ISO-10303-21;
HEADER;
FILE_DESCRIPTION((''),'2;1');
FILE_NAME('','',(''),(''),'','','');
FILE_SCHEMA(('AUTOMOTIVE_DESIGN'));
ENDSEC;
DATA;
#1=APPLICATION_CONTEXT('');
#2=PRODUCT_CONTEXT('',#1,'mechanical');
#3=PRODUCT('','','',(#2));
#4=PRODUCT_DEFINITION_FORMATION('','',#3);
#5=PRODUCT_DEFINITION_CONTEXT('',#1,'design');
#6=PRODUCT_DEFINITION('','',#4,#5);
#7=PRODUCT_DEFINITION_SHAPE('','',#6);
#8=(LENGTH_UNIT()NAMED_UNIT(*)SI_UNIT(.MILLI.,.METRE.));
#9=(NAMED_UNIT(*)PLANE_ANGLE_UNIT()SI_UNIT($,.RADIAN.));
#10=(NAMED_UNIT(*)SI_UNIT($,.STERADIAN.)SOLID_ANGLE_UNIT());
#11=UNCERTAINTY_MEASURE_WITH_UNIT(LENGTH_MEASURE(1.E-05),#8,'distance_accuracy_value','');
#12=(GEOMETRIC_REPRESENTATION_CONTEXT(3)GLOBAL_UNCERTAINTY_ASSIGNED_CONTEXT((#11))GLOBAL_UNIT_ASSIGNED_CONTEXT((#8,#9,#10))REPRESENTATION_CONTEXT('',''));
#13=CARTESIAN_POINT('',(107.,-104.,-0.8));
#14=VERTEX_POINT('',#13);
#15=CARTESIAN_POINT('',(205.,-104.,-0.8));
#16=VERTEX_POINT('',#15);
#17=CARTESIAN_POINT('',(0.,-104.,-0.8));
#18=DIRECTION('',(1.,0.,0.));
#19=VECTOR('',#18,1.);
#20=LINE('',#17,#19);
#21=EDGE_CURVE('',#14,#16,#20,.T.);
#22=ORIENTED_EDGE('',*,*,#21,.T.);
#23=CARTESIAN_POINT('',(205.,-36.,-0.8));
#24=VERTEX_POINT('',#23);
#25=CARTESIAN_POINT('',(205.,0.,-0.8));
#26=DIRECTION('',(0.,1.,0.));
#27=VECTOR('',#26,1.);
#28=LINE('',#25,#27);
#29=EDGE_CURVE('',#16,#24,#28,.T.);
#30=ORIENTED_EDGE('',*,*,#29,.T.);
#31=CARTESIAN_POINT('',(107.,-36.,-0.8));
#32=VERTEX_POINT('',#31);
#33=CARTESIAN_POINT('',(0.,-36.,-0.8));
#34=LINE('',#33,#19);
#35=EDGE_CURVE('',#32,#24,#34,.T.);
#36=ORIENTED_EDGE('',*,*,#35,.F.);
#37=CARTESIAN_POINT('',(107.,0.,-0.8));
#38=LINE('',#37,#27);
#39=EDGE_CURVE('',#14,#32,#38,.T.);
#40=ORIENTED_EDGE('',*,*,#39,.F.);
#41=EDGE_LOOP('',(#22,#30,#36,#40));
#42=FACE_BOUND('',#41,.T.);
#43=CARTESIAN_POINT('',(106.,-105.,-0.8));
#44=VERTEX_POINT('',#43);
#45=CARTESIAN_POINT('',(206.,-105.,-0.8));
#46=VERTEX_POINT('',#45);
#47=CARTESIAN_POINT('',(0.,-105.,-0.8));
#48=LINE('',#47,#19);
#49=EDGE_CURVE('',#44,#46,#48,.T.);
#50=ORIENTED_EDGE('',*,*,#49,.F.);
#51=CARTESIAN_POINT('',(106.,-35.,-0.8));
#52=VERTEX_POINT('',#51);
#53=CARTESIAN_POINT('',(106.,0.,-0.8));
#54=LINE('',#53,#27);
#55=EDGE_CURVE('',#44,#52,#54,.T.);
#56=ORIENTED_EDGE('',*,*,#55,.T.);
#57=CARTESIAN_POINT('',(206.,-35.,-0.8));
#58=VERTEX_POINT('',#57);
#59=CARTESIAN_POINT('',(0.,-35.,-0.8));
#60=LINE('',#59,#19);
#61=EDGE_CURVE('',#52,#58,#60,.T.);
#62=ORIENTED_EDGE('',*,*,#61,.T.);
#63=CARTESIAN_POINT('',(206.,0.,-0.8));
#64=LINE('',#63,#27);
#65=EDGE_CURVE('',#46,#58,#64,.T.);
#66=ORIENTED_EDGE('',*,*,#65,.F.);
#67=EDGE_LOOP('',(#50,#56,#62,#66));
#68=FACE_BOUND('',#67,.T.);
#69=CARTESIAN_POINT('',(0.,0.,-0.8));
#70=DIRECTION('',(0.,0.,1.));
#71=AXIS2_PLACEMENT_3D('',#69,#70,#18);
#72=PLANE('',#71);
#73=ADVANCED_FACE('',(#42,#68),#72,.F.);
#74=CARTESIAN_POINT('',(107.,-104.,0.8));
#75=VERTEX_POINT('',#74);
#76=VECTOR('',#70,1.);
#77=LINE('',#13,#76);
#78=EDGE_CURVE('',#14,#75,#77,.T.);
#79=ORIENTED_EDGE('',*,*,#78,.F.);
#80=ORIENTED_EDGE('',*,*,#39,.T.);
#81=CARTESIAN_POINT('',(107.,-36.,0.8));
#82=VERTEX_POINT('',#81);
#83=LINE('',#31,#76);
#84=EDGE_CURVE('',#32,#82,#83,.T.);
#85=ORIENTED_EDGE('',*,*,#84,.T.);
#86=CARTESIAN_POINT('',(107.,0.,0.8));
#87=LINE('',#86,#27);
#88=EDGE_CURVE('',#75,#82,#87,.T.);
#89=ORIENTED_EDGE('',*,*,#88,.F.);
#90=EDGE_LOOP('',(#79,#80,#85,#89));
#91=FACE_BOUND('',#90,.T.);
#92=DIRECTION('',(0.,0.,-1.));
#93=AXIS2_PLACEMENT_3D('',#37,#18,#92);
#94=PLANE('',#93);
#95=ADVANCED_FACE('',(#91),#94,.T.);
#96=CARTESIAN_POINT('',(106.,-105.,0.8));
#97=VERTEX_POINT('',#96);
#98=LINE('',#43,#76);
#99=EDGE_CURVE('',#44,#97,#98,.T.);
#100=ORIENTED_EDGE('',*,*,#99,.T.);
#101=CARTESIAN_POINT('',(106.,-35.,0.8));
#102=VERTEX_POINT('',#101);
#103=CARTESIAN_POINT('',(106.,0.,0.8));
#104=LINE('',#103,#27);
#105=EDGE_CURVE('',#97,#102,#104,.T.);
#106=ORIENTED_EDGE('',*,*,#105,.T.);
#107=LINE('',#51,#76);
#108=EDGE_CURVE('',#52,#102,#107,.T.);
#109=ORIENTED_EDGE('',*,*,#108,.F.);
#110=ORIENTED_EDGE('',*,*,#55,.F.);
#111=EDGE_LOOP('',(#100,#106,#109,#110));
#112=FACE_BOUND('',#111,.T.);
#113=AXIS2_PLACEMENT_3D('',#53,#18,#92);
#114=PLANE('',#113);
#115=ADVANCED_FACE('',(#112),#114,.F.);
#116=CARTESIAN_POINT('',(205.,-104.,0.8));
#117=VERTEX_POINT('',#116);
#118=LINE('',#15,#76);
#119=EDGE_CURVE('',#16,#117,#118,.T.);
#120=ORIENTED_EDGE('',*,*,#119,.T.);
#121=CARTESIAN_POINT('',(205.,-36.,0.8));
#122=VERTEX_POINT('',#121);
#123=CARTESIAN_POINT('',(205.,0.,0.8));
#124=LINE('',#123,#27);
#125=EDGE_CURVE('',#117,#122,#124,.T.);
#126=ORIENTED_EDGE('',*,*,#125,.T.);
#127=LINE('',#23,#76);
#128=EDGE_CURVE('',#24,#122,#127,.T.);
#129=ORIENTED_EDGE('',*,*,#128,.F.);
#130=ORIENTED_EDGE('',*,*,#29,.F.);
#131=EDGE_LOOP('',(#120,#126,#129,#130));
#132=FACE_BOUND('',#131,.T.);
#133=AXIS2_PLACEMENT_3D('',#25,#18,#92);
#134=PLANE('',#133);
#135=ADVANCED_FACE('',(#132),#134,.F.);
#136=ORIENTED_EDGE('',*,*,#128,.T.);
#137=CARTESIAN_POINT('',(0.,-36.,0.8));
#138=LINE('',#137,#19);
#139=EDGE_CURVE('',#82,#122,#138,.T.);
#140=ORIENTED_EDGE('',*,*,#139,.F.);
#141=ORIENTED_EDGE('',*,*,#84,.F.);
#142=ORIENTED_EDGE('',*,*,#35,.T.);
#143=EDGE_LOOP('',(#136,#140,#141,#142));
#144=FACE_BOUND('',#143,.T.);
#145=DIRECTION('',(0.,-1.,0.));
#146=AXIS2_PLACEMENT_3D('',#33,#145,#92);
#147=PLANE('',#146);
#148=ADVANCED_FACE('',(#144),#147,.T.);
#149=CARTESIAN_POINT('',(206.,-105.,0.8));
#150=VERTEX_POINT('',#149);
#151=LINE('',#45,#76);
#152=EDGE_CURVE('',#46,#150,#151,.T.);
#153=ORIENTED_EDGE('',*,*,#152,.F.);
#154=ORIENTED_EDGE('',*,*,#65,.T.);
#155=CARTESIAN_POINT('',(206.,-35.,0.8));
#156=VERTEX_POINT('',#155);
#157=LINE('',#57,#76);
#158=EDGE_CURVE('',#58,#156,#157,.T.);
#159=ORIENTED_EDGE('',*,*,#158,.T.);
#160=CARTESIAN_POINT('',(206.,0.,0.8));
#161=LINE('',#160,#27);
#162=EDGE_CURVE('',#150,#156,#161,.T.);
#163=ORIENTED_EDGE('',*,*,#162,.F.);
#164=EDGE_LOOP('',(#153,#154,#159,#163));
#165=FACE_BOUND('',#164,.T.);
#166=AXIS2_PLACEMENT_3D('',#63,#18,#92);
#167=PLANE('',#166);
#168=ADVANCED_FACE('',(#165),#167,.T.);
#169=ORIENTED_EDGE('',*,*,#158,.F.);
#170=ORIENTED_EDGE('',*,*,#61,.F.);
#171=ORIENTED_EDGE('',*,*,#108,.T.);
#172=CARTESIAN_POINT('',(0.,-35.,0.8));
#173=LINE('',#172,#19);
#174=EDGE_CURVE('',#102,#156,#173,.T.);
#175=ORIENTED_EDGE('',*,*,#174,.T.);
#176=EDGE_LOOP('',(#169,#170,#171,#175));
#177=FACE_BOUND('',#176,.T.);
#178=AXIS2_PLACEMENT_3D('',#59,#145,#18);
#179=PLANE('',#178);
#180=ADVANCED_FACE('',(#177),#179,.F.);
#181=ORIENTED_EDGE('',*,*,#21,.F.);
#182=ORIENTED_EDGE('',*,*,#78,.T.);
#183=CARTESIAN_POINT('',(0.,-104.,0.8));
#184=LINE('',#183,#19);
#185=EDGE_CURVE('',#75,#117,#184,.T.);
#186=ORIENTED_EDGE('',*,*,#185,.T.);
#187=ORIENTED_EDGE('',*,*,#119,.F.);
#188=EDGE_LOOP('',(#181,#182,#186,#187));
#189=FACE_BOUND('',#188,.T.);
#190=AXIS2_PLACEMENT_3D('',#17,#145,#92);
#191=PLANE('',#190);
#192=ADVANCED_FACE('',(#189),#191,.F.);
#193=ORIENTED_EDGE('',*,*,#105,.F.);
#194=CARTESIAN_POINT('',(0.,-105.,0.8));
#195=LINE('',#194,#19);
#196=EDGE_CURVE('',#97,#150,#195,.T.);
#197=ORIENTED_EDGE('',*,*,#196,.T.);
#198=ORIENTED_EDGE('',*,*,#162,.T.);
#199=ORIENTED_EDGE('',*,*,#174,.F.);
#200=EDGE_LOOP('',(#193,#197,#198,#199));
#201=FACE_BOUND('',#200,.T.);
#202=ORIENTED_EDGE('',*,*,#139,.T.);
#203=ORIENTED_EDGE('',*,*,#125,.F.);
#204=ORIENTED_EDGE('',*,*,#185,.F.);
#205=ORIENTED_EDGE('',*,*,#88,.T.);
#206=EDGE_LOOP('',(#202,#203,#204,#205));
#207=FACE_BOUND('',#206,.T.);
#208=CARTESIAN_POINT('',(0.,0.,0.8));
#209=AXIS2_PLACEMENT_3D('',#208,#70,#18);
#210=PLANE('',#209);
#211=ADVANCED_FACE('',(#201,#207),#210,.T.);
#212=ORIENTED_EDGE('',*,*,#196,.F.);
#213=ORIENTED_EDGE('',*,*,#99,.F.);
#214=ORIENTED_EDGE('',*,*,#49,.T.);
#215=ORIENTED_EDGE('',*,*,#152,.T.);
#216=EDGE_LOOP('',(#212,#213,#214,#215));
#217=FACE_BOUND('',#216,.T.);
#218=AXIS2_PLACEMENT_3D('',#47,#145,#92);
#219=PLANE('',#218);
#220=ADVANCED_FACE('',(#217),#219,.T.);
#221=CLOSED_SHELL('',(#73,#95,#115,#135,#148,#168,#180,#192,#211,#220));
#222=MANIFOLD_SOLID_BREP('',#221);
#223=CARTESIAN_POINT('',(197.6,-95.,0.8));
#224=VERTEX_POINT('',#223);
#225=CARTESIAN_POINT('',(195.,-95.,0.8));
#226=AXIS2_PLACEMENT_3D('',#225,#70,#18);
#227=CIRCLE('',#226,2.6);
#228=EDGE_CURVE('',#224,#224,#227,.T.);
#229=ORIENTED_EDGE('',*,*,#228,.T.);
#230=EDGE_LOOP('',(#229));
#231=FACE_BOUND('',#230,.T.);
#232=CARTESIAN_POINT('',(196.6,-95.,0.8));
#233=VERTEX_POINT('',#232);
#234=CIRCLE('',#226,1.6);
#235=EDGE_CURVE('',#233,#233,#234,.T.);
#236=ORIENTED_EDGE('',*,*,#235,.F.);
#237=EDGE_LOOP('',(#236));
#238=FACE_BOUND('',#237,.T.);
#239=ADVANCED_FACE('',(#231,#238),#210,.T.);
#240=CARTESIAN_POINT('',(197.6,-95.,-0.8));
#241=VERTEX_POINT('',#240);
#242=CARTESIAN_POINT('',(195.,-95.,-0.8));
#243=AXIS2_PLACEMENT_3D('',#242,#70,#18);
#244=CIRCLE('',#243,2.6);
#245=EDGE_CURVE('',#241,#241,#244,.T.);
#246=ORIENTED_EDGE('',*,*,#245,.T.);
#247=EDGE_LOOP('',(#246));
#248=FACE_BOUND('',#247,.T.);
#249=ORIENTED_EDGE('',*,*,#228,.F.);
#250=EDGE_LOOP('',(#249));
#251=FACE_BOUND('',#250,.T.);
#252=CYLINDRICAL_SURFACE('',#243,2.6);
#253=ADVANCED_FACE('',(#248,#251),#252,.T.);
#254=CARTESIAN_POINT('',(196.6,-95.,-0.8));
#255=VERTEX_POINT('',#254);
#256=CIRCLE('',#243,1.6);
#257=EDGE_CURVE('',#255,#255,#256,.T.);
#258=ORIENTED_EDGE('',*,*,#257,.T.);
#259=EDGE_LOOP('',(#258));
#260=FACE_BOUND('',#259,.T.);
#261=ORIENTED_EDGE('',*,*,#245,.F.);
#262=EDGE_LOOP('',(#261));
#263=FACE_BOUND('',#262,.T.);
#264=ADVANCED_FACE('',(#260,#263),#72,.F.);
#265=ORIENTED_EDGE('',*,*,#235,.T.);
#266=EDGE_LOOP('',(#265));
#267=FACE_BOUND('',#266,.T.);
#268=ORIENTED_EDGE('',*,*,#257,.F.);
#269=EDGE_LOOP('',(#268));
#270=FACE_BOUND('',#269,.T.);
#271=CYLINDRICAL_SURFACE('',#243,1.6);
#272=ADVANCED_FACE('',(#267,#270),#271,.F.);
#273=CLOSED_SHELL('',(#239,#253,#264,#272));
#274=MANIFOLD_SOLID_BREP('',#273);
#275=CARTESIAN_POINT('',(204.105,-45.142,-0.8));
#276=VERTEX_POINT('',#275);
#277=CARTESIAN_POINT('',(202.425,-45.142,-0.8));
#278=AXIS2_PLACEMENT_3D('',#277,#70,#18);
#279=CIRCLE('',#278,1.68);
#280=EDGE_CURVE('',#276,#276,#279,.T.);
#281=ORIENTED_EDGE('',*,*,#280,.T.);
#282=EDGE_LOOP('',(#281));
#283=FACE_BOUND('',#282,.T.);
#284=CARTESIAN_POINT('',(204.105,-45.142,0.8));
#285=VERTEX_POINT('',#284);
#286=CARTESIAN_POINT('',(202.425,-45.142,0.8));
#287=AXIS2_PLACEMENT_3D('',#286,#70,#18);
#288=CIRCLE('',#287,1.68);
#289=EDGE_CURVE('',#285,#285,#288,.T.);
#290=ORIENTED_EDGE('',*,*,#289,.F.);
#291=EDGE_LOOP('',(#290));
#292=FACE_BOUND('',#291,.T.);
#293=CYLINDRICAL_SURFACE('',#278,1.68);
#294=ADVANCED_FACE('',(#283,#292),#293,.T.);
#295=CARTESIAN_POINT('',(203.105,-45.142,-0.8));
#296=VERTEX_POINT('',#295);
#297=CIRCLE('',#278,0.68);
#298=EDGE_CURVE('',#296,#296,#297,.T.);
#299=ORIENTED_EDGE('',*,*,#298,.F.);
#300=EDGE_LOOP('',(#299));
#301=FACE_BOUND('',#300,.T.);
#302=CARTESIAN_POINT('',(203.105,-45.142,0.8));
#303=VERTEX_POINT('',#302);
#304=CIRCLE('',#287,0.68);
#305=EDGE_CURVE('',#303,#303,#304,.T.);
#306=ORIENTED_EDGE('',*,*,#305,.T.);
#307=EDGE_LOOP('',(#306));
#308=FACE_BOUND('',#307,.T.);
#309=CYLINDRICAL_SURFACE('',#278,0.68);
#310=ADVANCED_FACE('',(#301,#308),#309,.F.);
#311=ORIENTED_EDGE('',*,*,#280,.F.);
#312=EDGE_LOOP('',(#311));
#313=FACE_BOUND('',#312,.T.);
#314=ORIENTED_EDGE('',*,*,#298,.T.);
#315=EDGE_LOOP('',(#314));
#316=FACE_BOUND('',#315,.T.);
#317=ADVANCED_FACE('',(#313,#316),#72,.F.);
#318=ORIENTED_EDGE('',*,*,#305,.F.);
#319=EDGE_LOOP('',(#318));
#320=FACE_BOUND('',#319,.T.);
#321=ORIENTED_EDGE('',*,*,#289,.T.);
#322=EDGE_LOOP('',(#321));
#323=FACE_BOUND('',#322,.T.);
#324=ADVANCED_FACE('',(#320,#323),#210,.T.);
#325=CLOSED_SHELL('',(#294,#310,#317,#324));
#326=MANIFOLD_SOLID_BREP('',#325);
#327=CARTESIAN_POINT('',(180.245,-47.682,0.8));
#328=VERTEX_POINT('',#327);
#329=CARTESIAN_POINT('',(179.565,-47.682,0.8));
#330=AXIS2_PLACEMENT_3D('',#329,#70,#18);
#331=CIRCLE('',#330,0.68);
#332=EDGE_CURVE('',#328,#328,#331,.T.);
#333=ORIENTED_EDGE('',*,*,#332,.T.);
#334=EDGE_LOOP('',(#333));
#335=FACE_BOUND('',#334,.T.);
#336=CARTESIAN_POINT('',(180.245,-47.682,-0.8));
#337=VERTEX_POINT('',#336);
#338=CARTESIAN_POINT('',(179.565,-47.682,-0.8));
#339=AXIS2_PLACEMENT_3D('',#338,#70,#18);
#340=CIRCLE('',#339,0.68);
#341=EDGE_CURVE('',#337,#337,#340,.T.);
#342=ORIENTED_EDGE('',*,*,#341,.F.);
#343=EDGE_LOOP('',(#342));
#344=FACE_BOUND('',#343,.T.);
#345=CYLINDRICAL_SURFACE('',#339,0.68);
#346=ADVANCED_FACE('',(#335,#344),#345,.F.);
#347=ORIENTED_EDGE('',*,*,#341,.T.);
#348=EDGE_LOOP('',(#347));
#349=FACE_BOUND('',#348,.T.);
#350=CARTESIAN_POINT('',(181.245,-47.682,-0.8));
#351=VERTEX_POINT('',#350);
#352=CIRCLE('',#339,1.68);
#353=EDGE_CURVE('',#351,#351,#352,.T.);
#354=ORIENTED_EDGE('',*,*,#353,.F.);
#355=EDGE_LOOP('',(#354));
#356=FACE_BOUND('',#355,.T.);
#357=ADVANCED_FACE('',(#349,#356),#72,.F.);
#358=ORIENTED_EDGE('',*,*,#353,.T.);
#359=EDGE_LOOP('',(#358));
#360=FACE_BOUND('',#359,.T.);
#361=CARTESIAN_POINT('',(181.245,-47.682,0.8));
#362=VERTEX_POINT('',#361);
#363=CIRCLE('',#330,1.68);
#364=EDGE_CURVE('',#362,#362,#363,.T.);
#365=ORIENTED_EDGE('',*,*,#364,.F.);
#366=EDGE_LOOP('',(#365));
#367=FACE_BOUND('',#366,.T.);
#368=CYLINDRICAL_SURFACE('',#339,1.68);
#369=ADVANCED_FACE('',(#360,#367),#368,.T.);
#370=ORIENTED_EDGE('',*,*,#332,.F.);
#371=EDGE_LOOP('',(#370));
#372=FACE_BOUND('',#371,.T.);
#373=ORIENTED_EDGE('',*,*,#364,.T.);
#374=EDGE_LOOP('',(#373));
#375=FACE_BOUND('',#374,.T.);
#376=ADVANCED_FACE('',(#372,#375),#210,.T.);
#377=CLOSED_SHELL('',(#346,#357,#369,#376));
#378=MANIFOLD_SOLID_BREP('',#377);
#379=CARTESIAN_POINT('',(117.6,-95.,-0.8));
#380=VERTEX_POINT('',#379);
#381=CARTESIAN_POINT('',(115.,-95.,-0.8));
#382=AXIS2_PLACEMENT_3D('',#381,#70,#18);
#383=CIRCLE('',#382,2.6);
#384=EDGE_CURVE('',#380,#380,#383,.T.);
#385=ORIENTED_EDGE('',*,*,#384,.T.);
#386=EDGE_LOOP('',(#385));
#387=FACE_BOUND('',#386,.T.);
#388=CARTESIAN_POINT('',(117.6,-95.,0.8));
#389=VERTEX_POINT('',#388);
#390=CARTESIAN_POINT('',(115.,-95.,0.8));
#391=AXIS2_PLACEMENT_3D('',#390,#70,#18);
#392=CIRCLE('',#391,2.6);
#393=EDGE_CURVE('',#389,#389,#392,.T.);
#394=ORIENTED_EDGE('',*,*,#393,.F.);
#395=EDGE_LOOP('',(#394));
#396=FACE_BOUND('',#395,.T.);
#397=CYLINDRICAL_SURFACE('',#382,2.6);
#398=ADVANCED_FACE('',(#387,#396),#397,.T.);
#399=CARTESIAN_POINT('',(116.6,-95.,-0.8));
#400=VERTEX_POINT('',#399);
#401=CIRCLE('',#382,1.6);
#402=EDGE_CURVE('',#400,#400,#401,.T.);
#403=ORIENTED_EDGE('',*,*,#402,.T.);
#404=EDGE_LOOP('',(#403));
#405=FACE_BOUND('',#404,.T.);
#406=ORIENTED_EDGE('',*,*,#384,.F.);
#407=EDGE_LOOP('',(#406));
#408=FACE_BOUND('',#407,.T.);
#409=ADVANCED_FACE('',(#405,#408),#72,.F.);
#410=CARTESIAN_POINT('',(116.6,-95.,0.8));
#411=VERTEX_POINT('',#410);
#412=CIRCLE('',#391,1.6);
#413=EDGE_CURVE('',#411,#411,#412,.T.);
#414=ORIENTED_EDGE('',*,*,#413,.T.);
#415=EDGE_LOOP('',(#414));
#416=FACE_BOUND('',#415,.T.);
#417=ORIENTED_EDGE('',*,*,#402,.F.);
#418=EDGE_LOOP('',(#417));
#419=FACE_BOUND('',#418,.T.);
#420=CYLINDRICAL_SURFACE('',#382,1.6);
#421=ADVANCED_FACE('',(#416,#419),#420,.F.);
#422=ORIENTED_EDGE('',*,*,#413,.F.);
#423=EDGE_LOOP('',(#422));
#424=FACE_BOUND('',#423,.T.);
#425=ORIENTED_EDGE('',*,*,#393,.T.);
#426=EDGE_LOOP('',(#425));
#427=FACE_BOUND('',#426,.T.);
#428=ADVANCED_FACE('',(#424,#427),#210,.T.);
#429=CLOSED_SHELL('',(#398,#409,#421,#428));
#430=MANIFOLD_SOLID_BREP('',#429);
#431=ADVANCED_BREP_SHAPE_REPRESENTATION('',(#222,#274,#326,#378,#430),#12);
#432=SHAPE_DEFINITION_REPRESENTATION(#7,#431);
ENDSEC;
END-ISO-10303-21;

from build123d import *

# Parameters (mm, degrees)
BOSS_EXTRUDE1_DEPTH        = 0.8
BOSS_EXTRUDE1_DEPTH_BACK   = 0.8
SKETCH1_W                  = 100
SKETCH1_H                  = 70
SKETCH1_W_2                = 98
SKETCH1_H_2                = 68
BOSS_EXTRUDE1_2_DEPTH      = 0.8
BOSS_EXTRUDE1_2_DEPTH_BACK = 0.8
SKETCH1_R                  = 2.6
SKETCH1_R_2                = 1.6
BOSS_EXTRUDE1_3_DEPTH      = 0.8
BOSS_EXTRUDE1_3_DEPTH_BACK = 0.8
BOSS_EXTRUDE1_4_DEPTH      = 0.8
BOSS_EXTRUDE1_4_DEPTH_BACK = 0.8
SKETCH1_R_3                = 1.68
SKETCH1_R_4                = 0.68
BOSS_EXTRUDE1_5_DEPTH      = 0.8
BOSS_EXTRUDE1_5_DEPTH_BACK = 0.8


with BuildPart() as part:
    # Sketch1 → Boss-Extrude1 (new, two sides: drawn at the far end of the back side and taken through both)
    with BuildSketch(Plane.XY.offset(-BOSS_EXTRUDE1_DEPTH_BACK)):
        with Locations((156, -70)):
            Rectangle(SKETCH1_W, SKETCH1_H)
        with Locations((156, -70)):
            Rectangle(SKETCH1_W_2, SKETCH1_H_2, mode=Mode.SUBTRACT)
    extrude(amount=BOSS_EXTRUDE1_DEPTH + BOSS_EXTRUDE1_DEPTH_BACK)


with BuildPart() as body_2:
    # Sketch1 → Boss-Extrude1 2 (new, two sides: drawn at the far end of the back side and taken through both)
    with BuildSketch(Plane.XY.offset(-BOSS_EXTRUDE1_2_DEPTH_BACK)):
        with Locations((115, -95)):
            Circle(SKETCH1_R)
        with Locations((115, -95)):
            Circle(SKETCH1_R_2, mode=Mode.SUBTRACT)
    extrude(amount=BOSS_EXTRUDE1_2_DEPTH + BOSS_EXTRUDE1_2_DEPTH_BACK)


with BuildPart() as body_3:
    # Sketch1 → Boss-Extrude1 3 (new, two sides: drawn at the far end of the back side and taken through both)
    with BuildSketch(Plane.XY.offset(-BOSS_EXTRUDE1_3_DEPTH_BACK)):
        with Locations((195, -95)):
            Circle(SKETCH1_R)
        with Locations((195, -95)):
            Circle(SKETCH1_R_2, mode=Mode.SUBTRACT)
    extrude(amount=BOSS_EXTRUDE1_3_DEPTH + BOSS_EXTRUDE1_3_DEPTH_BACK)


with BuildPart() as body_4:
    # Sketch1 → Boss-Extrude1 4 (new, two sides: drawn at the far end of the back side and taken through both)
    with BuildSketch(Plane.XY.offset(-BOSS_EXTRUDE1_4_DEPTH_BACK)):
        with Locations((179.565, -47.682)):
            Circle(SKETCH1_R_3)
        with Locations((179.565, -47.682)):
            Circle(SKETCH1_R_4, mode=Mode.SUBTRACT)
    extrude(amount=BOSS_EXTRUDE1_4_DEPTH + BOSS_EXTRUDE1_4_DEPTH_BACK)


with BuildPart() as body_5:
    # Sketch1 → Boss-Extrude1 5 (new, two sides: drawn at the far end of the back side and taken through both)
    with BuildSketch(Plane.XY.offset(-BOSS_EXTRUDE1_5_DEPTH_BACK)):
        with Locations((202.425, -45.142)):
            Circle(SKETCH1_R_3)
        with Locations((202.425, -45.142)):
            Circle(SKETCH1_R_4, mode=Mode.SUBTRACT)
    extrude(amount=BOSS_EXTRUDE1_5_DEPTH + BOSS_EXTRUDE1_5_DEPTH_BACK)


solid = Compound([part.part, body_2.part, body_3.part, body_4.part, body_5.part])
